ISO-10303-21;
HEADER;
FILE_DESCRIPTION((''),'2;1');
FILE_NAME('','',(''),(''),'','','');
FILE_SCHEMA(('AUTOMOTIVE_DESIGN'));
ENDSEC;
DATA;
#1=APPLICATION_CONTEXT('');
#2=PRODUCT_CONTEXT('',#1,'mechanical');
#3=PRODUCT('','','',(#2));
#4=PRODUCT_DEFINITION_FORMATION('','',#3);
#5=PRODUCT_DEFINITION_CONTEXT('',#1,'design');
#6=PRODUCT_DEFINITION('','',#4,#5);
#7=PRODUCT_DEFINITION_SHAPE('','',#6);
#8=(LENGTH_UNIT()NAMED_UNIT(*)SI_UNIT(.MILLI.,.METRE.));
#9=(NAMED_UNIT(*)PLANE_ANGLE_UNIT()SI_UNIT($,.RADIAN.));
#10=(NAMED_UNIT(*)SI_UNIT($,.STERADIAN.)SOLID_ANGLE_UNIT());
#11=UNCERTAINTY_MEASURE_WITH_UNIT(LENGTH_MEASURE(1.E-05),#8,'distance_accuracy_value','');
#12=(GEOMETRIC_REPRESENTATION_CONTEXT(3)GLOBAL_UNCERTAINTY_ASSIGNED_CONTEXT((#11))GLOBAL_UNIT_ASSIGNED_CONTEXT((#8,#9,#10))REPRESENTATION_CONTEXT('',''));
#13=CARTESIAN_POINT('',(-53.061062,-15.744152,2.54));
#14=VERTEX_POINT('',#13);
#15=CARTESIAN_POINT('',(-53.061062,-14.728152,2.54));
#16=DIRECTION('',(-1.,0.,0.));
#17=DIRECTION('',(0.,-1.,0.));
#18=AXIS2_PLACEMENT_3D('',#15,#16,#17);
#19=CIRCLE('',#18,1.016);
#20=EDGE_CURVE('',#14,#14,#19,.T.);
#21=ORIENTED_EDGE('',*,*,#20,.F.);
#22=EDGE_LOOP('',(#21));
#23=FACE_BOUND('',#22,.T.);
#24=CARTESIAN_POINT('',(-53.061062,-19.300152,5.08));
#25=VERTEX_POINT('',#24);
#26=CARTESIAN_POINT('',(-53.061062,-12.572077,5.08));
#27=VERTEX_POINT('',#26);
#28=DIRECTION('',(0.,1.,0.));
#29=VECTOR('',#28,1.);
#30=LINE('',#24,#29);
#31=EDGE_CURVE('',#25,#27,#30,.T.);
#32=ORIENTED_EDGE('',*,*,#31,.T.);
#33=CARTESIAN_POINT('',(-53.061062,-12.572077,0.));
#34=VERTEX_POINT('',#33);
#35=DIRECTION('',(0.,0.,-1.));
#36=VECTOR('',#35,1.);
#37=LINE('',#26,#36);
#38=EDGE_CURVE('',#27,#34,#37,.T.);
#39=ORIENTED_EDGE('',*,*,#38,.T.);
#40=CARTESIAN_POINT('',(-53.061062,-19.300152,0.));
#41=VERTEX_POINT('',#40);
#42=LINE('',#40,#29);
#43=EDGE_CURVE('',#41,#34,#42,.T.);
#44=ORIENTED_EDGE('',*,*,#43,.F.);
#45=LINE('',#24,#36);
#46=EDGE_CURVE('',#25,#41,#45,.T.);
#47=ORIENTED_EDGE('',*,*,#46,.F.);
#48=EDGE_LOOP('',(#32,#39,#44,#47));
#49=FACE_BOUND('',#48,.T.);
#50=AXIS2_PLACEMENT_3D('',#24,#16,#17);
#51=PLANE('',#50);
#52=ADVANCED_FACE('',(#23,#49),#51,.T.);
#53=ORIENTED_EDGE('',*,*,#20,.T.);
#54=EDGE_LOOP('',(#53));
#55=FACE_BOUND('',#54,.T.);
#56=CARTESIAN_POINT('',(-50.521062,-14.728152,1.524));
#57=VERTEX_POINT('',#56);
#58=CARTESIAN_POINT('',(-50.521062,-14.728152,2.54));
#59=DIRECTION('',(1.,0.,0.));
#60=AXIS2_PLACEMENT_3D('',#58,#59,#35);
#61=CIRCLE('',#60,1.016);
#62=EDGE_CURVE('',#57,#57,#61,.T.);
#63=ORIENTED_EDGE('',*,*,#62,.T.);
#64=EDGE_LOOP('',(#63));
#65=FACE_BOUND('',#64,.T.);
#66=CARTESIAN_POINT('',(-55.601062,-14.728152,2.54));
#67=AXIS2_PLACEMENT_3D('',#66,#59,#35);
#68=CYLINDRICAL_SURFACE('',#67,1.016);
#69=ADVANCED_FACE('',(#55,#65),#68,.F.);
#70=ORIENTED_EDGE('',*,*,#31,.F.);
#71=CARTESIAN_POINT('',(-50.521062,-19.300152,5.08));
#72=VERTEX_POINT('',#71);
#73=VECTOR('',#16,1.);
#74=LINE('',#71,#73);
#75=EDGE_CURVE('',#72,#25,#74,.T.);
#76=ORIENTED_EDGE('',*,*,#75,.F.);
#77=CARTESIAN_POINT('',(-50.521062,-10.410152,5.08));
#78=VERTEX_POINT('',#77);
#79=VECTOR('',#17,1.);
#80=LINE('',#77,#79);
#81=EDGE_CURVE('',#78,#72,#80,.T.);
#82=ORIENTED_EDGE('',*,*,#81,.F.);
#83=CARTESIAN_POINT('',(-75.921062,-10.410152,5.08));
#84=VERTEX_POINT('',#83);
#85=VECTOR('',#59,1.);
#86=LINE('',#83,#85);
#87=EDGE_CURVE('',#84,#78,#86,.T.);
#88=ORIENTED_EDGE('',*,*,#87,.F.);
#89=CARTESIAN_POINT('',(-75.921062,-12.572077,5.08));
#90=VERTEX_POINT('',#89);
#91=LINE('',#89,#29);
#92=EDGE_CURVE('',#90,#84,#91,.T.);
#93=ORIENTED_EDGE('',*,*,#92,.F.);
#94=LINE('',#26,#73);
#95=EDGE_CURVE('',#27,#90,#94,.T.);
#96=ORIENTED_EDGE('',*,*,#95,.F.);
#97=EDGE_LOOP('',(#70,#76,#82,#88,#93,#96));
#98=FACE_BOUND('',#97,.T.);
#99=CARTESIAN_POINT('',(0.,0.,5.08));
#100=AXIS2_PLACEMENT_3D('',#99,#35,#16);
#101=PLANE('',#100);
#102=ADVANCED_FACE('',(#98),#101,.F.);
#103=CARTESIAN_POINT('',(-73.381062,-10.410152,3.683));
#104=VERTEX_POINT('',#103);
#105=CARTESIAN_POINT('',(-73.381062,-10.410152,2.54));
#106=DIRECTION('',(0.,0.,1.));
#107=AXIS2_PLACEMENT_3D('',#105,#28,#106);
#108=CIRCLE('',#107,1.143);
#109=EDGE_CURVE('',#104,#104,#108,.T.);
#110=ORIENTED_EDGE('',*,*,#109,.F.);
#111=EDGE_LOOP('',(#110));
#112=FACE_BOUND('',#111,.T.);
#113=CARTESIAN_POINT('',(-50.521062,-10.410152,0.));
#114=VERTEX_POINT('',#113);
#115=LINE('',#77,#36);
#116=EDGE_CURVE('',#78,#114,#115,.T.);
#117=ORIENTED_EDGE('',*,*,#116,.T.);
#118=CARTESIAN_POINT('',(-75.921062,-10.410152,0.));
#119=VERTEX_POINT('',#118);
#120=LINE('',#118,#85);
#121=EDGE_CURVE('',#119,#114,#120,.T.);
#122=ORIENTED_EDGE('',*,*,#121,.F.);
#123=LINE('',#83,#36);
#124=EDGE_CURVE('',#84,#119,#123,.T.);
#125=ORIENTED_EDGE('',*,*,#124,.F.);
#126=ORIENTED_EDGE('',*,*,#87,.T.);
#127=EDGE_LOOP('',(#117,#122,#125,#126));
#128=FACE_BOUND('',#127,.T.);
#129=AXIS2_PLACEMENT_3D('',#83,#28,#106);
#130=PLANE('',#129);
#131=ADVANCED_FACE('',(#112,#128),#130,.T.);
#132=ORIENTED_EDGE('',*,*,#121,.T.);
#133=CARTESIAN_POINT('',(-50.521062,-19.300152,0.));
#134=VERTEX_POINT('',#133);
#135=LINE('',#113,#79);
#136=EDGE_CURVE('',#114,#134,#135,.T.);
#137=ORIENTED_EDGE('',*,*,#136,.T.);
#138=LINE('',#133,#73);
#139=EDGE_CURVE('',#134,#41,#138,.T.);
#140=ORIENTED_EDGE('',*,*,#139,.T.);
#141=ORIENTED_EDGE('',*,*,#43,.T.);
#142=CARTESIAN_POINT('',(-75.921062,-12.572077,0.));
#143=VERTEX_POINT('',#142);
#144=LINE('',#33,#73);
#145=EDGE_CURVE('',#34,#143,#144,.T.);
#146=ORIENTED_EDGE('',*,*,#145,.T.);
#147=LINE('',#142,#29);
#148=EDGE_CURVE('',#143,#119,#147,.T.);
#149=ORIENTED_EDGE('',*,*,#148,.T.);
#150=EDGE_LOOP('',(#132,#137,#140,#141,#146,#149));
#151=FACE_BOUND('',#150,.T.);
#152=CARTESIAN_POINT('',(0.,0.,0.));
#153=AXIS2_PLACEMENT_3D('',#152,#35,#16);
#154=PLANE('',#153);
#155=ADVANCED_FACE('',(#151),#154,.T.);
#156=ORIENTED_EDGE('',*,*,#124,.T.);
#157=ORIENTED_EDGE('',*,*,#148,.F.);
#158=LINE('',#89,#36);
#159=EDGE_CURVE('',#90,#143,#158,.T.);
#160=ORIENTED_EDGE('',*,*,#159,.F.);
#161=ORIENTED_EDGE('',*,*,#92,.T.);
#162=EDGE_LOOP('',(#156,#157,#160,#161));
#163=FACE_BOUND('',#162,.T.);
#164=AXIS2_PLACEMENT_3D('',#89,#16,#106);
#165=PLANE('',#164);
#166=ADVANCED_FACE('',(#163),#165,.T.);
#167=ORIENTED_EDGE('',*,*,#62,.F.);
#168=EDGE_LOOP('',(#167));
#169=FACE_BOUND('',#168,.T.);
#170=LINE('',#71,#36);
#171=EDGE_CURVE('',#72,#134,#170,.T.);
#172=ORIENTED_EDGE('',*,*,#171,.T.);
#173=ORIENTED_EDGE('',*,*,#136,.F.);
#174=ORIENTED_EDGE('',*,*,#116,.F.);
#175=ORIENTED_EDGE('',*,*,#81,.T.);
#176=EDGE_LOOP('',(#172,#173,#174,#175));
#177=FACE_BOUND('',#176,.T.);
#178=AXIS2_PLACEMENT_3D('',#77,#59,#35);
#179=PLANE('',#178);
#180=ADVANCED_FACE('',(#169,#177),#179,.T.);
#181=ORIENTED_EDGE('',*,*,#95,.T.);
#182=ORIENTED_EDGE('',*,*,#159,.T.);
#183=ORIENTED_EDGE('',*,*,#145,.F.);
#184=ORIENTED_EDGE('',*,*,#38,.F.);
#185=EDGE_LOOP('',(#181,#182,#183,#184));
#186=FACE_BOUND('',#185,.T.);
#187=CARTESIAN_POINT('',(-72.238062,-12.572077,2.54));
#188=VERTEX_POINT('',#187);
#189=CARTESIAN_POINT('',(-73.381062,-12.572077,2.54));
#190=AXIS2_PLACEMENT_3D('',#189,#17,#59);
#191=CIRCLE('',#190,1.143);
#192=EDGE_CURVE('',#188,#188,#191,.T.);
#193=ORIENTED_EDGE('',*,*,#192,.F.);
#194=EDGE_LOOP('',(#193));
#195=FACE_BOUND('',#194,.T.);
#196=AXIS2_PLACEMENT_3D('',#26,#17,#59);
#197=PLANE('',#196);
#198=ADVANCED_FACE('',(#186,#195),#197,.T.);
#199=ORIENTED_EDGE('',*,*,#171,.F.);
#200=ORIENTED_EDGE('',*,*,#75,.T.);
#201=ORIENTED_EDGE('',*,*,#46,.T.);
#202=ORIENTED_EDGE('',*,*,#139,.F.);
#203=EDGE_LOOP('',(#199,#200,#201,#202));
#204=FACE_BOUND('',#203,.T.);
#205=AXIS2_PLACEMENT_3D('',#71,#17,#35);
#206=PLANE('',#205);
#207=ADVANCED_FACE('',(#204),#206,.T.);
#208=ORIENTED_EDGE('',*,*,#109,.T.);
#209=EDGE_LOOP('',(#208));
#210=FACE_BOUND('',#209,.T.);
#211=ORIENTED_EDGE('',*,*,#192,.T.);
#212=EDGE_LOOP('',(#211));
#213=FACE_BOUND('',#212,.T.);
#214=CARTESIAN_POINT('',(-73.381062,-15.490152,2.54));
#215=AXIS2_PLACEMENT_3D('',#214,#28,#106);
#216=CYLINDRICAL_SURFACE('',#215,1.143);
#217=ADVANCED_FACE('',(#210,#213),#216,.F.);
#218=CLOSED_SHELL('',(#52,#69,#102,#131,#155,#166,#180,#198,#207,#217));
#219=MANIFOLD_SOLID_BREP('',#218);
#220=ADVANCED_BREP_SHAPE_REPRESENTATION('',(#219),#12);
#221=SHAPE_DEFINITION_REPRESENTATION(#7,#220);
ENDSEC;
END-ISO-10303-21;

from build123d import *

# Parameters (mm, degrees)
BOSS_EXTRUDE1_DEPTH = 5.08
SKETCH2_R           = 1.143
CUT_EXTRUDE1_DEPTH  = 5.08
SKETCH3_R           = 1.016
CUT_EXTRUDE2_DEPTH  = 5.08


with BuildPart() as part:
    # Sketch1 → Boss-Extrude1 (new body)
    with BuildSketch(Plane.XY):
        Polygon((-75.921062447, -12.572076515), (-75.921062447, -10.410151662), (-50.521062447, -10.410151662), (-50.521062447, -19.300151662), (-53.061062447, -19.300151662), (-53.061062447, -12.572076515), align=None)
    extrude(amount=BOSS_EXTRUDE1_DEPTH)

    # Sketch2 → Cut-Extrude1 (cut)
    with BuildSketch(Plane(origin=(0, -10.410151662, 0), x_dir=(1, 0, 0), z_dir=(0, 1, 0))):
        with Locations((-73.381062447, -2.54)):
            Circle(SKETCH2_R)
    extrude(amount=-CUT_EXTRUDE1_DEPTH, mode=Mode.SUBTRACT)

    # Sketch3 → Cut-Extrude2 (cut)
    with BuildSketch(Plane(origin=(-50.521062447, 0, 0), x_dir=(0, 0, -1), z_dir=(1, 0, 0))):
        with Locations((-2.54, -14.728151662)):
            Circle(SKETCH3_R)
    extrude(amount=-CUT_EXTRUDE2_DEPTH, mode=Mode.SUBTRACT)


solid = part.part
